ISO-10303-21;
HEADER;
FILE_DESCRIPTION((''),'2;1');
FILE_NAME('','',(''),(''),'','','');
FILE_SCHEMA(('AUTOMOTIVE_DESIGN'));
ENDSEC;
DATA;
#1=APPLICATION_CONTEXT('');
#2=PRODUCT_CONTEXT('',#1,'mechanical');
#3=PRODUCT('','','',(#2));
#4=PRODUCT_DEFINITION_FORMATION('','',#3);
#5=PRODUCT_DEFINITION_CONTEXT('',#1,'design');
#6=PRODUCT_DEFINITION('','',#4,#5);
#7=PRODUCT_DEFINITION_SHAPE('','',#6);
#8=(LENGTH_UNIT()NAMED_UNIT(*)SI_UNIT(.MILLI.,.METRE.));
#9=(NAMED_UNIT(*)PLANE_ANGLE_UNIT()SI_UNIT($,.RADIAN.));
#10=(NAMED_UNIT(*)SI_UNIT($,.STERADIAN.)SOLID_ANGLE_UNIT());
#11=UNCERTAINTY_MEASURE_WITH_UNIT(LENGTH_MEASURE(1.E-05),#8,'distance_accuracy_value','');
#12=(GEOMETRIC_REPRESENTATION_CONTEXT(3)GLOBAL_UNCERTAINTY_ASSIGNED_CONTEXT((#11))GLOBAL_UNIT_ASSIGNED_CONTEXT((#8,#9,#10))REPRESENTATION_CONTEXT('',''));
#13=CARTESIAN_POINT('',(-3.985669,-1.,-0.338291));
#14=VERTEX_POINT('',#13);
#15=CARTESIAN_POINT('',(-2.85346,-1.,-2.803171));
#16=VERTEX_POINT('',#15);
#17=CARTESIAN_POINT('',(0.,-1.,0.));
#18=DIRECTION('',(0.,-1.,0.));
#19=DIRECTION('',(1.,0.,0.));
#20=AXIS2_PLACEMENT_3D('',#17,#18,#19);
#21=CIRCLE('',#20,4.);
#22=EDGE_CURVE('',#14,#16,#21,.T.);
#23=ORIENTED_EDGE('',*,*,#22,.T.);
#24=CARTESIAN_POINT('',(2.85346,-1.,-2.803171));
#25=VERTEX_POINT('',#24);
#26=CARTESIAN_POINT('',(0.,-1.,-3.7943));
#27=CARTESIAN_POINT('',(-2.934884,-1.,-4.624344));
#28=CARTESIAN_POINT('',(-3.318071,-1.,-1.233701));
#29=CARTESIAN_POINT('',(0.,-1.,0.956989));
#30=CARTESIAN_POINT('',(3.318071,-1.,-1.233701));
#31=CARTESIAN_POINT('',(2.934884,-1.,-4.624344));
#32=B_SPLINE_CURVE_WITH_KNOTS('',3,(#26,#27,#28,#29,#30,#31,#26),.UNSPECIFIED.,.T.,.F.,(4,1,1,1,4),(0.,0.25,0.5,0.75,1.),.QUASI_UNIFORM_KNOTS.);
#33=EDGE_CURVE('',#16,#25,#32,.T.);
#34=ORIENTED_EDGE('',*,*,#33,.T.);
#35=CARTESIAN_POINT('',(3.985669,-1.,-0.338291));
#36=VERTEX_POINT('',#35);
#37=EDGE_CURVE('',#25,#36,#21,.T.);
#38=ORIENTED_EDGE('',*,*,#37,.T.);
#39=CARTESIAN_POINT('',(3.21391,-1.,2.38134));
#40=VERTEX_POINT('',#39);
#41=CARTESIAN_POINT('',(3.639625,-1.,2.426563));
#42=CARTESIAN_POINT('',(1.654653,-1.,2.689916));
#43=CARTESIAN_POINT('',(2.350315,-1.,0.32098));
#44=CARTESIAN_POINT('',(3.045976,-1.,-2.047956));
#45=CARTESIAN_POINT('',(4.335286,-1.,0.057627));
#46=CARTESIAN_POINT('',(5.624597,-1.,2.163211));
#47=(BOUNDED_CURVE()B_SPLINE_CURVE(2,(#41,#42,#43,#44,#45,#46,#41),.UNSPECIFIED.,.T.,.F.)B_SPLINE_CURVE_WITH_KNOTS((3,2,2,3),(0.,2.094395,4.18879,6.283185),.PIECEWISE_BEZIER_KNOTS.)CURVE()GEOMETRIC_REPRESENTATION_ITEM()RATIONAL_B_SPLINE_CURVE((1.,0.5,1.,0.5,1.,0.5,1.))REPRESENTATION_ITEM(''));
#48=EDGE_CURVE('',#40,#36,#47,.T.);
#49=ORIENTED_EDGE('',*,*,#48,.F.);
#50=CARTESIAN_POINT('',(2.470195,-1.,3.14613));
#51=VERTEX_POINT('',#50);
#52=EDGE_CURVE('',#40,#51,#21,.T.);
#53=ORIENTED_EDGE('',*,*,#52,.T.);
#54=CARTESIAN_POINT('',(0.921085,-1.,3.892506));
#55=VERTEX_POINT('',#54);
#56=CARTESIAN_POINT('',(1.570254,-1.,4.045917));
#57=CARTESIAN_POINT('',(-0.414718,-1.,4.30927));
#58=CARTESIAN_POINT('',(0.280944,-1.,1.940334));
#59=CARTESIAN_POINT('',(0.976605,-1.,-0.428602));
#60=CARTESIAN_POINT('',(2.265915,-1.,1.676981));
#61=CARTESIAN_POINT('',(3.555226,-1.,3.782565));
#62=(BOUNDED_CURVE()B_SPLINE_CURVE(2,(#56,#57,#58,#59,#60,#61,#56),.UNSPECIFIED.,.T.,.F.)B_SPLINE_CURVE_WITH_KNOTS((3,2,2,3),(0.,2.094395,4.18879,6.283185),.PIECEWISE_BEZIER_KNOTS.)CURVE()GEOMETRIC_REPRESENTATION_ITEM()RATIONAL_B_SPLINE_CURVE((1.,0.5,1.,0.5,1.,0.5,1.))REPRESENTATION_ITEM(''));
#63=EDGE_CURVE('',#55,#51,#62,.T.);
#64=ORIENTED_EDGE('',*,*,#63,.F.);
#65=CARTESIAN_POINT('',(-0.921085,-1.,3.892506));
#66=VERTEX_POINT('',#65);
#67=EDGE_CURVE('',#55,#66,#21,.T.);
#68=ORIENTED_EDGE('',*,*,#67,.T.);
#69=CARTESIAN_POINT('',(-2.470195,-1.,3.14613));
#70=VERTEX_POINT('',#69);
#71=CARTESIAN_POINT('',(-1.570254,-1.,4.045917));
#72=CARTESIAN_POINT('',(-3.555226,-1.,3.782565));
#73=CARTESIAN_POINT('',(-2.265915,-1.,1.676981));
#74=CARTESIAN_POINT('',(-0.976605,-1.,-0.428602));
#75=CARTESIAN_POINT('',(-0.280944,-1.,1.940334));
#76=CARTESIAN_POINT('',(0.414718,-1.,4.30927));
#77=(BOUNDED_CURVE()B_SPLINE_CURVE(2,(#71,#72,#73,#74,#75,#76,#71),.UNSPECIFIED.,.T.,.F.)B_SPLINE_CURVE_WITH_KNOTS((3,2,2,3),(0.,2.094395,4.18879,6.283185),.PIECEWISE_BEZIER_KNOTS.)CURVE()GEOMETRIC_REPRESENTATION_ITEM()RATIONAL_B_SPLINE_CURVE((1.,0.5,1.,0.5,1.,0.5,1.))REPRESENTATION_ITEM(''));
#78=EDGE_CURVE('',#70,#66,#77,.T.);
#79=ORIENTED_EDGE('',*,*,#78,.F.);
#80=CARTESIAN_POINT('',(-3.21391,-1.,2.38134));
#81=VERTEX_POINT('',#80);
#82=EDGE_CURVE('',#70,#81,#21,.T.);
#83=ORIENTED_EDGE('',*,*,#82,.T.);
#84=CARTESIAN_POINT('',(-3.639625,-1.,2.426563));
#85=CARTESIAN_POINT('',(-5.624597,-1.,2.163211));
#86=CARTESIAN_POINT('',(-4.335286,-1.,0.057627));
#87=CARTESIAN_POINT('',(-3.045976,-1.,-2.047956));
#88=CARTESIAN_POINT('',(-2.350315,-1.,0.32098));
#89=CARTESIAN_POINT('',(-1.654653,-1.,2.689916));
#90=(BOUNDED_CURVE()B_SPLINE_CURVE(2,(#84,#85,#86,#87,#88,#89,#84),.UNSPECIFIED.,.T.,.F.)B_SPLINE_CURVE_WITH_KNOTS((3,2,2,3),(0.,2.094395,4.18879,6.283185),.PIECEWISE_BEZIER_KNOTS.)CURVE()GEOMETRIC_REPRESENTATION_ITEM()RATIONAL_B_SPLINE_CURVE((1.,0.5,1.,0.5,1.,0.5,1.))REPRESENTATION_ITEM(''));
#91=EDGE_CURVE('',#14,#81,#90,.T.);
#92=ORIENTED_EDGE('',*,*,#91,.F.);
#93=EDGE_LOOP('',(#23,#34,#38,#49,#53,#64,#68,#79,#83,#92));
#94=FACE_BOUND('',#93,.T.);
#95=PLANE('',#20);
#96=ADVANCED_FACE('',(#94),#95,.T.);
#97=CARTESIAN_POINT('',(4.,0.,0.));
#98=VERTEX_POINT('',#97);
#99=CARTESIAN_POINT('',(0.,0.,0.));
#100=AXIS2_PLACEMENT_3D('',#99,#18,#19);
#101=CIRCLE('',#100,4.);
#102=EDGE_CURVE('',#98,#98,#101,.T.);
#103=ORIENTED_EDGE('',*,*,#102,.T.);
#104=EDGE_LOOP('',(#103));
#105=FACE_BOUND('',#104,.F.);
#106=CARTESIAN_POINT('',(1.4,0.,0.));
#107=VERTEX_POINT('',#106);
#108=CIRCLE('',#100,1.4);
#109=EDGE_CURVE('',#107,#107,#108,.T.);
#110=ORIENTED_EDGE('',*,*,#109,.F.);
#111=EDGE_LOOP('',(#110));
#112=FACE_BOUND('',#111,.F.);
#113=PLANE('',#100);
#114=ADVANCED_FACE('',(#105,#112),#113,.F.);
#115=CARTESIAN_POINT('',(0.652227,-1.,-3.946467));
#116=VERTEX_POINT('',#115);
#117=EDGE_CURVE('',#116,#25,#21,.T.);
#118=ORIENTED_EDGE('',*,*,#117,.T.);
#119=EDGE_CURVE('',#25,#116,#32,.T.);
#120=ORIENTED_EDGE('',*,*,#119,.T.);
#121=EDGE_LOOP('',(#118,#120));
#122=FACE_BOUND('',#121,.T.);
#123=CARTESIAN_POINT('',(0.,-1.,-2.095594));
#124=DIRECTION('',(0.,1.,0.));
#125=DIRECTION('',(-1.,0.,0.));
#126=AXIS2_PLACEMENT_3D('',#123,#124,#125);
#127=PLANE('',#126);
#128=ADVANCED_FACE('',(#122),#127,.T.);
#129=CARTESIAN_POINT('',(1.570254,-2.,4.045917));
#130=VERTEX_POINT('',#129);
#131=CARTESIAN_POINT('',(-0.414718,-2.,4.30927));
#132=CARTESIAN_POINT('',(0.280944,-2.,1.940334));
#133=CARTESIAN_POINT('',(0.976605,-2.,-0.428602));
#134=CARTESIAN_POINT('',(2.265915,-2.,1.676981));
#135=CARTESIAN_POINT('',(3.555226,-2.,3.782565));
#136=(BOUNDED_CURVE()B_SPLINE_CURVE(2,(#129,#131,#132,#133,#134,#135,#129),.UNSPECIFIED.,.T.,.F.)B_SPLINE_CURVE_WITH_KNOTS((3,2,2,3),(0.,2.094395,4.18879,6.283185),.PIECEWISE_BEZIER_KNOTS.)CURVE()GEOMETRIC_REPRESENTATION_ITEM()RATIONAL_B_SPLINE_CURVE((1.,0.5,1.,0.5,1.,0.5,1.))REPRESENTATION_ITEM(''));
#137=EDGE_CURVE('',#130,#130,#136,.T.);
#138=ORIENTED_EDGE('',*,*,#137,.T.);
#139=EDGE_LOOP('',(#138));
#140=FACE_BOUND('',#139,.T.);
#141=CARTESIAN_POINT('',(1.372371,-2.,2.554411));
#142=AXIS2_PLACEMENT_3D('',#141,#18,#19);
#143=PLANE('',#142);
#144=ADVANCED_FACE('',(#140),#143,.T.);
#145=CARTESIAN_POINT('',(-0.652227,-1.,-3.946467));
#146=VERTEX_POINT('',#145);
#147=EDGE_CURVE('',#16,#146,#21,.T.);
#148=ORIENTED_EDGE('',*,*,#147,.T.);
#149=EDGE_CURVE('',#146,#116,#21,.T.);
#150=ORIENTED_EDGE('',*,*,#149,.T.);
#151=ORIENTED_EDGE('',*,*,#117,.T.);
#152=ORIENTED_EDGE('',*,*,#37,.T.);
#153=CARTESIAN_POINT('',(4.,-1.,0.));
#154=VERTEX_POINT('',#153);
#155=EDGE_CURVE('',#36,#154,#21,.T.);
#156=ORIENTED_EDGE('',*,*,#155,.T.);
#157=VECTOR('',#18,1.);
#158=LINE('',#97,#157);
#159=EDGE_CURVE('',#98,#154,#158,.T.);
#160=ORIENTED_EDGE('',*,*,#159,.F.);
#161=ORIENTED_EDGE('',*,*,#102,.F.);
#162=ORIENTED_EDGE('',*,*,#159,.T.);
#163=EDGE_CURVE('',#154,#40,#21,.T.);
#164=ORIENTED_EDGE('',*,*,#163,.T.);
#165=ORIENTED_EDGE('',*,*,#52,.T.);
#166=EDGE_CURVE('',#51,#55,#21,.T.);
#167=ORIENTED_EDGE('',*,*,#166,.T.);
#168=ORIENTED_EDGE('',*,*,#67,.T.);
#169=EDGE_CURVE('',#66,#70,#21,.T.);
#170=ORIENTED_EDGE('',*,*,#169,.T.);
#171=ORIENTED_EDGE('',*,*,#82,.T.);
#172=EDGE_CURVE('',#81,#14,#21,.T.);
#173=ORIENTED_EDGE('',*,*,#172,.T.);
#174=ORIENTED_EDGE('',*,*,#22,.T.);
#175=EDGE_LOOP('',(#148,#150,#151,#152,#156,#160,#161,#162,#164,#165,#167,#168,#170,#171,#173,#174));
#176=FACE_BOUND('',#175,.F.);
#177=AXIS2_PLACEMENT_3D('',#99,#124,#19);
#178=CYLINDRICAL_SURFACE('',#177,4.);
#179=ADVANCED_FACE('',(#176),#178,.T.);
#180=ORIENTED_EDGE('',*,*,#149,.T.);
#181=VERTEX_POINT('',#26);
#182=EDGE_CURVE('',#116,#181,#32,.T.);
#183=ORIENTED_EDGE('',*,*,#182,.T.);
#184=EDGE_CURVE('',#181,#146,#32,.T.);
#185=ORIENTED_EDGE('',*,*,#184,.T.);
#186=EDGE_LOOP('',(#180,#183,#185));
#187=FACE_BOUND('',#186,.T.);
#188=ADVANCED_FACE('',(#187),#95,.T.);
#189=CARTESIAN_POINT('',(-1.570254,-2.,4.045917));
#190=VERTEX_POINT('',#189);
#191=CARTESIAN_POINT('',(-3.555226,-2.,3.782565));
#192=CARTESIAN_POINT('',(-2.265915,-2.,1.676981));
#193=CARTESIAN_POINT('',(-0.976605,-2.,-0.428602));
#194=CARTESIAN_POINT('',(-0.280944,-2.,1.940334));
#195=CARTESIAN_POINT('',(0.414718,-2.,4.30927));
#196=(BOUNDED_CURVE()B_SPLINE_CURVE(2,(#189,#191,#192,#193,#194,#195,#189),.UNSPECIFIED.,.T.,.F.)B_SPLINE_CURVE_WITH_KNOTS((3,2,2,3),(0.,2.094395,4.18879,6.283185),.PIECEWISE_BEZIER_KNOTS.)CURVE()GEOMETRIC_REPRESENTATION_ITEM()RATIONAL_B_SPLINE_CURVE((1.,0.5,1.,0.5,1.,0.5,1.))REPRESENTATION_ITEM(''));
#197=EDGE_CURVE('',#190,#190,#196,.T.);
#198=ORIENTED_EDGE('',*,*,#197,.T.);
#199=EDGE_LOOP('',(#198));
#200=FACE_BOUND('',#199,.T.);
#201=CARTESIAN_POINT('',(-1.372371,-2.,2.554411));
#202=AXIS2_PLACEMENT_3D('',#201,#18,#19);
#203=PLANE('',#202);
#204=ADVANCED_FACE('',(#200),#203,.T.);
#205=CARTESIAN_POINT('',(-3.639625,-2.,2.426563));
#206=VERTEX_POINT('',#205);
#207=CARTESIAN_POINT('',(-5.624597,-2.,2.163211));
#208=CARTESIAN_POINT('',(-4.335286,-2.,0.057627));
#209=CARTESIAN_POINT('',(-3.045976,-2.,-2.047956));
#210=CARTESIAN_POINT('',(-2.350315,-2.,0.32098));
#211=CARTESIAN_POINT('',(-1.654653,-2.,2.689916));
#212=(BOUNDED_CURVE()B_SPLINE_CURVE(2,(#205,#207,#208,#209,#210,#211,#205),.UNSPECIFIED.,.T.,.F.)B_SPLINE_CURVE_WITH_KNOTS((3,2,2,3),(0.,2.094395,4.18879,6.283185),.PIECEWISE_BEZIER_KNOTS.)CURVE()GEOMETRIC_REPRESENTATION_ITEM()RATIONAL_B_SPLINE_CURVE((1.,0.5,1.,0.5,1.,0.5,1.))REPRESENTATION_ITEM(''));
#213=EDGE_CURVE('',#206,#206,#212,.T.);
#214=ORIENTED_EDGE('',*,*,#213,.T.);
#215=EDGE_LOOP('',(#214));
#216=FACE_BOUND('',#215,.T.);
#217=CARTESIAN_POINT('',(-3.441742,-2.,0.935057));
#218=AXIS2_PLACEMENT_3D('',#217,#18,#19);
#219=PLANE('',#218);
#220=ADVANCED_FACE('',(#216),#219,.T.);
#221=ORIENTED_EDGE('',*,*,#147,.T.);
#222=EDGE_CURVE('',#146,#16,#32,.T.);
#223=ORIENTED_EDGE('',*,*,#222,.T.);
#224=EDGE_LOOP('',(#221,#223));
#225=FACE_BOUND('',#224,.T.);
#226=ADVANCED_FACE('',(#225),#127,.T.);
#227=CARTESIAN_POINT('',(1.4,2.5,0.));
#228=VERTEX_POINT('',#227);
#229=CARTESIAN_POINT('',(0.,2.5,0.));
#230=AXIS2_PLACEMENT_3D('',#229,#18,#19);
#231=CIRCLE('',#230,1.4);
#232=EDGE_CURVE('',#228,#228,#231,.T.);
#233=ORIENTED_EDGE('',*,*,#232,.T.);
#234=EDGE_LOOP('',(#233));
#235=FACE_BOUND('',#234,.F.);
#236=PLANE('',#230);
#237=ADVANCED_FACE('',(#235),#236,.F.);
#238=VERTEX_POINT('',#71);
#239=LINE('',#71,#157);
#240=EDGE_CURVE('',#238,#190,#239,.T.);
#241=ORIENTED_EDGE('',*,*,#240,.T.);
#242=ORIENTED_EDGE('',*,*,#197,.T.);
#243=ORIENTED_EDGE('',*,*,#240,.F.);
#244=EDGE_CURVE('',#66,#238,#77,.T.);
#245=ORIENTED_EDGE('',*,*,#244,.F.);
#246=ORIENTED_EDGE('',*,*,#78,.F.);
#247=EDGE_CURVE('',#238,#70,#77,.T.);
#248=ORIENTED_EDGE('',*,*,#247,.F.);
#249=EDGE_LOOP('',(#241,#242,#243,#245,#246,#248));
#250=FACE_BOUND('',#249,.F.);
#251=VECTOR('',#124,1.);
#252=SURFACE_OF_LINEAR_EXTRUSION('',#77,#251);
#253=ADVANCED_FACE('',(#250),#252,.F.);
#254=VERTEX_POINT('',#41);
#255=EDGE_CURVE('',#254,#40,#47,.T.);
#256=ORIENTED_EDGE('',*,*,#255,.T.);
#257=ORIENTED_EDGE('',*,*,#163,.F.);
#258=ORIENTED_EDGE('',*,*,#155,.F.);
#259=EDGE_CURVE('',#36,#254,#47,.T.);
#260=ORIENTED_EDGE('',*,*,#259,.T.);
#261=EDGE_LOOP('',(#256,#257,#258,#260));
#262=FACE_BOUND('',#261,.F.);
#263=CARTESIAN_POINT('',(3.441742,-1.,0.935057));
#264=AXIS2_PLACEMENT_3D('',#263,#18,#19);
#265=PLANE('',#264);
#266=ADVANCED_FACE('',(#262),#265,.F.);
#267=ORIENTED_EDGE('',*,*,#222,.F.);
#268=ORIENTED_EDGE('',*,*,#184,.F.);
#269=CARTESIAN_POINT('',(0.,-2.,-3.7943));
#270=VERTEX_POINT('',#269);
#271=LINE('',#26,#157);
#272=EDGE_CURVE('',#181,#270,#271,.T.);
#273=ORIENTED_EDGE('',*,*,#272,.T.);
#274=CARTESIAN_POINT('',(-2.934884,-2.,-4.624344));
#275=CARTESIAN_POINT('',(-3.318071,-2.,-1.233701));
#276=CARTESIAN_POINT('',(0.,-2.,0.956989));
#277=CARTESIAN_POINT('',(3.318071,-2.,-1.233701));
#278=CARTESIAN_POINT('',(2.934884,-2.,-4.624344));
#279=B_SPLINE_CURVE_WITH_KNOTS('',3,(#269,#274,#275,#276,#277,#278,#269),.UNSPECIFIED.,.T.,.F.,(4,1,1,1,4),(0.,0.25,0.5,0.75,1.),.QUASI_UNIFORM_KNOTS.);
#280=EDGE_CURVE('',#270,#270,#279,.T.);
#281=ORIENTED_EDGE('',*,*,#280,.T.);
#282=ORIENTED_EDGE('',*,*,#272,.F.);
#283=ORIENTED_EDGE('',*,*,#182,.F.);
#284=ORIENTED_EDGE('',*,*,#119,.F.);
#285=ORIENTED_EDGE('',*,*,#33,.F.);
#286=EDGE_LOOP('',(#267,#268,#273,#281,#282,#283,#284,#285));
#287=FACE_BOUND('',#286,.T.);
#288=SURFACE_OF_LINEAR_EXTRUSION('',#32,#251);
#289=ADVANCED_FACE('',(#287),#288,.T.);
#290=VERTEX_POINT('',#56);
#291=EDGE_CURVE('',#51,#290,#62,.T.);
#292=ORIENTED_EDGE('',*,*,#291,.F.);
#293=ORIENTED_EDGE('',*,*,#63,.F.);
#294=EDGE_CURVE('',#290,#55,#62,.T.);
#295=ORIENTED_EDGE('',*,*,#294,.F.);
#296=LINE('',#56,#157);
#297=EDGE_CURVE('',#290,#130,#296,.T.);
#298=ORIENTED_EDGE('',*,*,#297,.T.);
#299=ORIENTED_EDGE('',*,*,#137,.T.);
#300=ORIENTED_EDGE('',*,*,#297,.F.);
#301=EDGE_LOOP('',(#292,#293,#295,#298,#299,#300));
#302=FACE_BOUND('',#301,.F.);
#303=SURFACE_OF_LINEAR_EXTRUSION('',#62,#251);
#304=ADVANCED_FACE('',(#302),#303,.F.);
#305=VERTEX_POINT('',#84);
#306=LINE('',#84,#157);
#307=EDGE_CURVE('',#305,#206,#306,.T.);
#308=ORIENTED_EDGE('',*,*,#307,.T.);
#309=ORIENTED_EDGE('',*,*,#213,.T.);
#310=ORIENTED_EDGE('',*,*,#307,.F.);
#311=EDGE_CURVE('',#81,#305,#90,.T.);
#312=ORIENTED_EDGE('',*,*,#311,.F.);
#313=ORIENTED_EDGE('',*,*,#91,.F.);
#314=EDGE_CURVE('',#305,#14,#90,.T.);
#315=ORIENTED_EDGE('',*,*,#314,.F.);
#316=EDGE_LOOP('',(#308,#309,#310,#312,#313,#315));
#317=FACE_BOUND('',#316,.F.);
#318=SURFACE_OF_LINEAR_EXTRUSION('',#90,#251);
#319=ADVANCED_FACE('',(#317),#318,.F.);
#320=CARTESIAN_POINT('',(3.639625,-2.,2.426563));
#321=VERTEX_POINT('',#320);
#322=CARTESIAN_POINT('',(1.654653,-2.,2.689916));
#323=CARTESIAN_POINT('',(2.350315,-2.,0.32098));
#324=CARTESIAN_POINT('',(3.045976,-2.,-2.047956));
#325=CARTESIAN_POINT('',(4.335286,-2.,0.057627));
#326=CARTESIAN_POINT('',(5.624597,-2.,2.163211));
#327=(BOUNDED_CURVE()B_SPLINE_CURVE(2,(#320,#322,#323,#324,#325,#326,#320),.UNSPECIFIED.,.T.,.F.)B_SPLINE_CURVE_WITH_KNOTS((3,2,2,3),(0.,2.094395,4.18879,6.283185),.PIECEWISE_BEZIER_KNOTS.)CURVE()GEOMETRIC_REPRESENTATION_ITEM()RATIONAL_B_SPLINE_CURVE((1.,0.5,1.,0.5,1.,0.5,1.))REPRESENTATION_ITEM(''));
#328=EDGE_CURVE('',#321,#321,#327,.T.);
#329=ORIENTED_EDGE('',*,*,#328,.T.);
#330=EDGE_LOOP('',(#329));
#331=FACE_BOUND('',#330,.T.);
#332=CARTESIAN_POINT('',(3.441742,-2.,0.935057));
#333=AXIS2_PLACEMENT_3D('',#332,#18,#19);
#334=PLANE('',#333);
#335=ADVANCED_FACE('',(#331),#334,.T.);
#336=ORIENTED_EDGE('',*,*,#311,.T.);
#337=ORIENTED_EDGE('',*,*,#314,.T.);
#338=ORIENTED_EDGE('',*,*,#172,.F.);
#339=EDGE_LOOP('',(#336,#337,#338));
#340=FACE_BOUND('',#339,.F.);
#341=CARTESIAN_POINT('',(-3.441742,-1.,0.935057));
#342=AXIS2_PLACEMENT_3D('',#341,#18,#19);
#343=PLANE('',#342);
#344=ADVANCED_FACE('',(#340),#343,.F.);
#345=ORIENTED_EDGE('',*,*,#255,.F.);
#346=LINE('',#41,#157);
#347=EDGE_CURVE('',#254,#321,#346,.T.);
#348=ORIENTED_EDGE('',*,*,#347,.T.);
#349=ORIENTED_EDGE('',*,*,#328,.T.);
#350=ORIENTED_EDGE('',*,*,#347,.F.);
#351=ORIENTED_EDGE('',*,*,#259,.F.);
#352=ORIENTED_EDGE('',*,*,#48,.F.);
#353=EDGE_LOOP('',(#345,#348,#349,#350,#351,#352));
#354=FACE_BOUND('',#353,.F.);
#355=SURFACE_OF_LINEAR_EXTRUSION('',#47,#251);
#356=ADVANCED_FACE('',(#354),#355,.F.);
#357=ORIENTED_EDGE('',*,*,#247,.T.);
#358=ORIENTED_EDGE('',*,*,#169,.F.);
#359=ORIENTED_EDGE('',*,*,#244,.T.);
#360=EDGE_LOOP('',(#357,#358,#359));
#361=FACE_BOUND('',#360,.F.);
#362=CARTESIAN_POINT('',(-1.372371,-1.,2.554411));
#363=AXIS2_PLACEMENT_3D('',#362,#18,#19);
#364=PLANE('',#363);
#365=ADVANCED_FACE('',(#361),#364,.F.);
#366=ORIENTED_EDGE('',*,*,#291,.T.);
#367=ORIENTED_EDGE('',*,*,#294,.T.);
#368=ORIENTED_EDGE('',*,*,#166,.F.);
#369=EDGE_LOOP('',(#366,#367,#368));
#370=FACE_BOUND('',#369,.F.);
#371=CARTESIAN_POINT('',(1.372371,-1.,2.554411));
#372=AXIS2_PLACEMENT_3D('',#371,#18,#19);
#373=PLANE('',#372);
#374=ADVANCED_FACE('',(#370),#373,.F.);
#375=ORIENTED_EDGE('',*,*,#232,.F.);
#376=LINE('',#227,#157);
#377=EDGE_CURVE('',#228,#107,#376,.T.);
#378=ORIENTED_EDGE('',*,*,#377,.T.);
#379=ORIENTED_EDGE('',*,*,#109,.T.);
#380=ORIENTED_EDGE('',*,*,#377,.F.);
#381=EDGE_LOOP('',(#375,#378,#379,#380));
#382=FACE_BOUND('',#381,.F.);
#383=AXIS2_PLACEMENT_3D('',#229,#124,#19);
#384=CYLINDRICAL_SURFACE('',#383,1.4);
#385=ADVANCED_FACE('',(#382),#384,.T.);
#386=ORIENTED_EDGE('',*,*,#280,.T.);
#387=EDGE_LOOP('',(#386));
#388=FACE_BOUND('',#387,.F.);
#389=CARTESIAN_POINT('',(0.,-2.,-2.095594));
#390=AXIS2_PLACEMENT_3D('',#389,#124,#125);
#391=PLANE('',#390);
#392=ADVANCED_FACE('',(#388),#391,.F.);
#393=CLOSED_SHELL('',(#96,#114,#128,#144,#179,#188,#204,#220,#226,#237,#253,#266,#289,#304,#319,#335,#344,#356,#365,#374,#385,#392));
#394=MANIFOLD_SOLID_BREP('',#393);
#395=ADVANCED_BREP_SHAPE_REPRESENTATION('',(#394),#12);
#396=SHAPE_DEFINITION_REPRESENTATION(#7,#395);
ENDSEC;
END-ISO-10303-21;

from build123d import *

# Parameters (mm, degrees)
CYLINDER003_R     = 1.4
CYLINDER003_DEPTH = 2.5
SKETCH031_R       = 4
PAD007_DEPTH      = 1
PAD008_DEPTH      = 1


with BuildPart() as part:
    # Cylinder003 → Cylinder003 (join)
    with BuildSketch(Plane.XZ.offset(-2.5)):
        Circle(CYLINDER003_R)
    extrude(amount=CYLINDER003_DEPTH)

    # Sketch031 → Pad007 (join)
    with BuildSketch(Plane.XZ):
        Circle(SKETCH031_R)
    extrude(amount=PAD007_DEPTH)

    # Sketch032 → Pad008 (join)
    with BuildSketch(Plane(origin=(0, -1, -0.5), x_dir=(1, 0, 0), z_dir=(0, -1, 0))):
        with BuildLine():
            add(Edge.make_bspline(
                [(-3.639625, 2.926563), (-5.624597, 2.663211), (-4.335286, 0.557627), (-3.045976, -1.547956), (-2.350315, 0.82098), (-1.654653, 3.189916), (-3.639625, 2.926563)],
                knots=[0, 0, 0, 2.094395, 2.094395, 4.18879, 4.18879, 6.283185, 6.283185, 6.283185], degree=2, weights=[1, 0.5, 1, 0.5, 1, 0.5, 1]))
        make_face()
        with BuildLine():
            add(Edge.make_bspline(
                [(0, -3.2943), (-2.934884, -4.124344), (-3.318071, -0.733701), (0, 1.456989), (3.318071, -0.733701), (2.934884, -4.124344), (0, -3.2943)],
                knots=[0, 0, 0, 0, 0.25, 0.5, 0.75, 1, 1, 1, 1], degree=3))
        make_face()
        with BuildLine():
            add(Edge.make_bspline(
                [(-1.570254, 4.545917), (-3.555226, 4.282565), (-2.265915, 2.176981), (-0.976605, 0.071398), (-0.280944, 2.440334), (0.414718, 4.80927), (-1.570254, 4.545917)],
                knots=[0, 0, 0, 2.094395, 2.094395, 4.18879, 4.18879, 6.283185, 6.283185, 6.283185], degree=2, weights=[1, 0.5, 1, 0.5, 1, 0.5, 1]))
        make_face()
        with BuildLine():
            add(Edge.make_bspline(
                [(1.570254, 4.545917), (-0.414718, 4.80927), (0.280944, 2.440334), (0.976605, 0.071398), (2.265915, 2.176981), (3.555226, 4.282565), (1.570254, 4.545917)],
                knots=[0, 0, 0, 2.094395, 2.094395, 4.18879, 4.18879, 6.283185, 6.283185, 6.283185], degree=2, weights=[1, 0.5, 1, 0.5, 1, 0.5, 1]))
        make_face()
        with BuildLine():
            add(Edge.make_bspline(
                [(3.639625, 2.926563), (1.654653, 3.189916), (2.350315, 0.82098), (3.045976, -1.547956), (4.335286, 0.557627), (5.624597, 2.663211), (3.639625, 2.926563)],
                knots=[0, 0, 0, 2.094395, 2.094395, 4.18879, 4.18879, 6.283185, 6.283185, 6.283185], degree=2, weights=[1, 0.5, 1, 0.5, 1, 0.5, 1]))
        make_face()
    extrude(amount=PAD008_DEPTH)


solid = part.part
